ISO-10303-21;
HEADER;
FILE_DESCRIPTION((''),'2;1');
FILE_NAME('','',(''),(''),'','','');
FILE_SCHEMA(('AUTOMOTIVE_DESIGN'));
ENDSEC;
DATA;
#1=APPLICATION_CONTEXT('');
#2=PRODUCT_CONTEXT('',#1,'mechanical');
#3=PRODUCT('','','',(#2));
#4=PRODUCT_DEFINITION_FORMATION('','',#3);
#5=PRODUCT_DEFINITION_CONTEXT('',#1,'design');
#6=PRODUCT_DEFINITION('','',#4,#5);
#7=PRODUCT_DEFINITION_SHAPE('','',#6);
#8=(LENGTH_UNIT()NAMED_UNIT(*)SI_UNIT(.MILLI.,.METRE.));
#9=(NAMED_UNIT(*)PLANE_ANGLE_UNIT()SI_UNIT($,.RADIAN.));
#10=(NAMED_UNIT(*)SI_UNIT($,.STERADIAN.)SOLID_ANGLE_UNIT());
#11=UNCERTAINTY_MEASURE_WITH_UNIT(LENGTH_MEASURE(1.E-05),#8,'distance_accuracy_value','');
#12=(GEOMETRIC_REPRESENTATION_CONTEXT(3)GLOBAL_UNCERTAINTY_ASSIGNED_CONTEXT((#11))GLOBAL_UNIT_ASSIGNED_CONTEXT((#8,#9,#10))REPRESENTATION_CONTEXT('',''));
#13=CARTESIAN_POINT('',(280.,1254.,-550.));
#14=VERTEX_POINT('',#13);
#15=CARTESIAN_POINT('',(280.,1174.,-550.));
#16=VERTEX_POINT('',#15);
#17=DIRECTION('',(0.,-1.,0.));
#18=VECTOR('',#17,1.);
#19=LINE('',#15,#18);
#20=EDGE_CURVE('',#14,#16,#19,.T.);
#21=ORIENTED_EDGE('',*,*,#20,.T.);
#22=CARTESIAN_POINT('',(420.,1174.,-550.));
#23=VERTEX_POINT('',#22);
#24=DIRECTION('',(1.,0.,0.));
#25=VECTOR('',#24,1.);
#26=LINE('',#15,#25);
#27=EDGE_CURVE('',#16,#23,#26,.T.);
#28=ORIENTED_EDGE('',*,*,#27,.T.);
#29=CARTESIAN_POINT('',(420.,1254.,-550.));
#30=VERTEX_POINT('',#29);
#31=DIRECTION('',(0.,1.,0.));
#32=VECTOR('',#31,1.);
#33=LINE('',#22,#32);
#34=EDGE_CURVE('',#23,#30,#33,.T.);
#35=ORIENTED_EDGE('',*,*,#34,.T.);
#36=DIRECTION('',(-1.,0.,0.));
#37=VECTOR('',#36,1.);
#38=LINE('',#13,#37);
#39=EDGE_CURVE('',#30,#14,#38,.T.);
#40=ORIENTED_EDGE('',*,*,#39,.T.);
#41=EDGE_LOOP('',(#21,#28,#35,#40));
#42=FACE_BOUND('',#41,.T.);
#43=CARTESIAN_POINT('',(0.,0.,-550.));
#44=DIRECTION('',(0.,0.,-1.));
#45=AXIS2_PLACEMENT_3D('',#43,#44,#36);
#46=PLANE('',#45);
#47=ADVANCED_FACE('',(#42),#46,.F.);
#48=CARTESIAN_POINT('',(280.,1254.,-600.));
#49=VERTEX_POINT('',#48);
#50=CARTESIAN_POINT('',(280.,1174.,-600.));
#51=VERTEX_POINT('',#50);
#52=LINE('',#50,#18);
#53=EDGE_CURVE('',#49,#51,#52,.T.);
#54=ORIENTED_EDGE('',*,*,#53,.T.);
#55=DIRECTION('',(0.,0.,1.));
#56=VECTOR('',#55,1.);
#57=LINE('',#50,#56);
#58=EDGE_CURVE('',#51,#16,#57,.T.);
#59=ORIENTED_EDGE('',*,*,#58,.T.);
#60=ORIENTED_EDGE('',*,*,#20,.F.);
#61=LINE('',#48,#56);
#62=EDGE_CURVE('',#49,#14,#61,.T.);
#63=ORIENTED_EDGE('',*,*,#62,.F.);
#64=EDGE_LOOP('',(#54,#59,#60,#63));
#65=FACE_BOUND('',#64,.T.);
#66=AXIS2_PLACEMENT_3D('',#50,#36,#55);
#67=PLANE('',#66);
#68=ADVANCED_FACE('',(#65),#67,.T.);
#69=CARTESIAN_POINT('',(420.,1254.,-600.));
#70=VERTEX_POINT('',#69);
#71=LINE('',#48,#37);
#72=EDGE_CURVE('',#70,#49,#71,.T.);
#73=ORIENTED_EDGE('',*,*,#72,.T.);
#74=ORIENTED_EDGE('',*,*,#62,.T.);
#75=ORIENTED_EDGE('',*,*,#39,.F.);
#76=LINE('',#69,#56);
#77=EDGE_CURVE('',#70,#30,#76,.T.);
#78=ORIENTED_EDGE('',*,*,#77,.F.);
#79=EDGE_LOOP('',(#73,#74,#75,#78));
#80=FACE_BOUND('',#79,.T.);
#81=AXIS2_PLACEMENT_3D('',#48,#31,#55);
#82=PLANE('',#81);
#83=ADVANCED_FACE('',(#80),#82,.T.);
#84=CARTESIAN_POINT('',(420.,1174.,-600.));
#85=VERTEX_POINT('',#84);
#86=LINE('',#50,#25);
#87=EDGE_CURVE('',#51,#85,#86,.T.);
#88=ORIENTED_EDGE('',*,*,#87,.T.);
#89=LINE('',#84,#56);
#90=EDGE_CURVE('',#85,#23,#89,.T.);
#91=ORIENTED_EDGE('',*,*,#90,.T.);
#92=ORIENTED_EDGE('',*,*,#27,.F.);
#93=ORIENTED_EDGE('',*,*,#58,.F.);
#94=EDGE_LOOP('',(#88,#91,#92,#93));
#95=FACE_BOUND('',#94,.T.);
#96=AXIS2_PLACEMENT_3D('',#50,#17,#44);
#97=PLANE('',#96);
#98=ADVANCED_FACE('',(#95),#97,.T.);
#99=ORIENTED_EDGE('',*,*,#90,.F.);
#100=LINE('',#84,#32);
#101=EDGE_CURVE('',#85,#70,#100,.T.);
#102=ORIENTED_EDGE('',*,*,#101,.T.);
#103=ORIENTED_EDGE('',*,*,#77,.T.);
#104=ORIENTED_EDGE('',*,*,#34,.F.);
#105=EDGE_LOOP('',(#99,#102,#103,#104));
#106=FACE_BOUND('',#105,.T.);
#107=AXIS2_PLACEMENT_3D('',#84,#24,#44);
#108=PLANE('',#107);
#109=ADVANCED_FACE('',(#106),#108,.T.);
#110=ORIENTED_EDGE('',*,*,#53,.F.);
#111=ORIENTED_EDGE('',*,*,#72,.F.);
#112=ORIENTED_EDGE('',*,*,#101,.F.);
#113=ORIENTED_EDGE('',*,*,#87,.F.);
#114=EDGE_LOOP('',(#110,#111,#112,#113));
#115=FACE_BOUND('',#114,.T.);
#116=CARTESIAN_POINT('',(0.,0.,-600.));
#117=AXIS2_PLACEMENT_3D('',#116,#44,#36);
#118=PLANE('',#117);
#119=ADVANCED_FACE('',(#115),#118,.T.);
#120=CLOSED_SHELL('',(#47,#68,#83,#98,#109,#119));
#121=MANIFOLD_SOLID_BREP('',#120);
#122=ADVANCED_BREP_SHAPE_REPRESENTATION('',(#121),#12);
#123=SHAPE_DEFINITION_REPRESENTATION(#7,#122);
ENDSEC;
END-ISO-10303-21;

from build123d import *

# Parameters (mm, degrees)
PRESS_UC_CATAL_SIRT_1_START = -550
SKETCH1_W                   = 140
SKETCH1_H                   = 80
PRESS_UC_CATAL_SIRT_1_DEPTH = 50


with BuildPart() as part:
    # Sketch1 → PRESS_uc_catal_sirt_1 (new body)
    with BuildSketch(Plane.XY.offset(PRESS_UC_CATAL_SIRT_1_START)):
        with Locations((350, 1214)):
            Rectangle(SKETCH1_W, SKETCH1_H)
    extrude(amount=-PRESS_UC_CATAL_SIRT_1_DEPTH)


solid = part.part
